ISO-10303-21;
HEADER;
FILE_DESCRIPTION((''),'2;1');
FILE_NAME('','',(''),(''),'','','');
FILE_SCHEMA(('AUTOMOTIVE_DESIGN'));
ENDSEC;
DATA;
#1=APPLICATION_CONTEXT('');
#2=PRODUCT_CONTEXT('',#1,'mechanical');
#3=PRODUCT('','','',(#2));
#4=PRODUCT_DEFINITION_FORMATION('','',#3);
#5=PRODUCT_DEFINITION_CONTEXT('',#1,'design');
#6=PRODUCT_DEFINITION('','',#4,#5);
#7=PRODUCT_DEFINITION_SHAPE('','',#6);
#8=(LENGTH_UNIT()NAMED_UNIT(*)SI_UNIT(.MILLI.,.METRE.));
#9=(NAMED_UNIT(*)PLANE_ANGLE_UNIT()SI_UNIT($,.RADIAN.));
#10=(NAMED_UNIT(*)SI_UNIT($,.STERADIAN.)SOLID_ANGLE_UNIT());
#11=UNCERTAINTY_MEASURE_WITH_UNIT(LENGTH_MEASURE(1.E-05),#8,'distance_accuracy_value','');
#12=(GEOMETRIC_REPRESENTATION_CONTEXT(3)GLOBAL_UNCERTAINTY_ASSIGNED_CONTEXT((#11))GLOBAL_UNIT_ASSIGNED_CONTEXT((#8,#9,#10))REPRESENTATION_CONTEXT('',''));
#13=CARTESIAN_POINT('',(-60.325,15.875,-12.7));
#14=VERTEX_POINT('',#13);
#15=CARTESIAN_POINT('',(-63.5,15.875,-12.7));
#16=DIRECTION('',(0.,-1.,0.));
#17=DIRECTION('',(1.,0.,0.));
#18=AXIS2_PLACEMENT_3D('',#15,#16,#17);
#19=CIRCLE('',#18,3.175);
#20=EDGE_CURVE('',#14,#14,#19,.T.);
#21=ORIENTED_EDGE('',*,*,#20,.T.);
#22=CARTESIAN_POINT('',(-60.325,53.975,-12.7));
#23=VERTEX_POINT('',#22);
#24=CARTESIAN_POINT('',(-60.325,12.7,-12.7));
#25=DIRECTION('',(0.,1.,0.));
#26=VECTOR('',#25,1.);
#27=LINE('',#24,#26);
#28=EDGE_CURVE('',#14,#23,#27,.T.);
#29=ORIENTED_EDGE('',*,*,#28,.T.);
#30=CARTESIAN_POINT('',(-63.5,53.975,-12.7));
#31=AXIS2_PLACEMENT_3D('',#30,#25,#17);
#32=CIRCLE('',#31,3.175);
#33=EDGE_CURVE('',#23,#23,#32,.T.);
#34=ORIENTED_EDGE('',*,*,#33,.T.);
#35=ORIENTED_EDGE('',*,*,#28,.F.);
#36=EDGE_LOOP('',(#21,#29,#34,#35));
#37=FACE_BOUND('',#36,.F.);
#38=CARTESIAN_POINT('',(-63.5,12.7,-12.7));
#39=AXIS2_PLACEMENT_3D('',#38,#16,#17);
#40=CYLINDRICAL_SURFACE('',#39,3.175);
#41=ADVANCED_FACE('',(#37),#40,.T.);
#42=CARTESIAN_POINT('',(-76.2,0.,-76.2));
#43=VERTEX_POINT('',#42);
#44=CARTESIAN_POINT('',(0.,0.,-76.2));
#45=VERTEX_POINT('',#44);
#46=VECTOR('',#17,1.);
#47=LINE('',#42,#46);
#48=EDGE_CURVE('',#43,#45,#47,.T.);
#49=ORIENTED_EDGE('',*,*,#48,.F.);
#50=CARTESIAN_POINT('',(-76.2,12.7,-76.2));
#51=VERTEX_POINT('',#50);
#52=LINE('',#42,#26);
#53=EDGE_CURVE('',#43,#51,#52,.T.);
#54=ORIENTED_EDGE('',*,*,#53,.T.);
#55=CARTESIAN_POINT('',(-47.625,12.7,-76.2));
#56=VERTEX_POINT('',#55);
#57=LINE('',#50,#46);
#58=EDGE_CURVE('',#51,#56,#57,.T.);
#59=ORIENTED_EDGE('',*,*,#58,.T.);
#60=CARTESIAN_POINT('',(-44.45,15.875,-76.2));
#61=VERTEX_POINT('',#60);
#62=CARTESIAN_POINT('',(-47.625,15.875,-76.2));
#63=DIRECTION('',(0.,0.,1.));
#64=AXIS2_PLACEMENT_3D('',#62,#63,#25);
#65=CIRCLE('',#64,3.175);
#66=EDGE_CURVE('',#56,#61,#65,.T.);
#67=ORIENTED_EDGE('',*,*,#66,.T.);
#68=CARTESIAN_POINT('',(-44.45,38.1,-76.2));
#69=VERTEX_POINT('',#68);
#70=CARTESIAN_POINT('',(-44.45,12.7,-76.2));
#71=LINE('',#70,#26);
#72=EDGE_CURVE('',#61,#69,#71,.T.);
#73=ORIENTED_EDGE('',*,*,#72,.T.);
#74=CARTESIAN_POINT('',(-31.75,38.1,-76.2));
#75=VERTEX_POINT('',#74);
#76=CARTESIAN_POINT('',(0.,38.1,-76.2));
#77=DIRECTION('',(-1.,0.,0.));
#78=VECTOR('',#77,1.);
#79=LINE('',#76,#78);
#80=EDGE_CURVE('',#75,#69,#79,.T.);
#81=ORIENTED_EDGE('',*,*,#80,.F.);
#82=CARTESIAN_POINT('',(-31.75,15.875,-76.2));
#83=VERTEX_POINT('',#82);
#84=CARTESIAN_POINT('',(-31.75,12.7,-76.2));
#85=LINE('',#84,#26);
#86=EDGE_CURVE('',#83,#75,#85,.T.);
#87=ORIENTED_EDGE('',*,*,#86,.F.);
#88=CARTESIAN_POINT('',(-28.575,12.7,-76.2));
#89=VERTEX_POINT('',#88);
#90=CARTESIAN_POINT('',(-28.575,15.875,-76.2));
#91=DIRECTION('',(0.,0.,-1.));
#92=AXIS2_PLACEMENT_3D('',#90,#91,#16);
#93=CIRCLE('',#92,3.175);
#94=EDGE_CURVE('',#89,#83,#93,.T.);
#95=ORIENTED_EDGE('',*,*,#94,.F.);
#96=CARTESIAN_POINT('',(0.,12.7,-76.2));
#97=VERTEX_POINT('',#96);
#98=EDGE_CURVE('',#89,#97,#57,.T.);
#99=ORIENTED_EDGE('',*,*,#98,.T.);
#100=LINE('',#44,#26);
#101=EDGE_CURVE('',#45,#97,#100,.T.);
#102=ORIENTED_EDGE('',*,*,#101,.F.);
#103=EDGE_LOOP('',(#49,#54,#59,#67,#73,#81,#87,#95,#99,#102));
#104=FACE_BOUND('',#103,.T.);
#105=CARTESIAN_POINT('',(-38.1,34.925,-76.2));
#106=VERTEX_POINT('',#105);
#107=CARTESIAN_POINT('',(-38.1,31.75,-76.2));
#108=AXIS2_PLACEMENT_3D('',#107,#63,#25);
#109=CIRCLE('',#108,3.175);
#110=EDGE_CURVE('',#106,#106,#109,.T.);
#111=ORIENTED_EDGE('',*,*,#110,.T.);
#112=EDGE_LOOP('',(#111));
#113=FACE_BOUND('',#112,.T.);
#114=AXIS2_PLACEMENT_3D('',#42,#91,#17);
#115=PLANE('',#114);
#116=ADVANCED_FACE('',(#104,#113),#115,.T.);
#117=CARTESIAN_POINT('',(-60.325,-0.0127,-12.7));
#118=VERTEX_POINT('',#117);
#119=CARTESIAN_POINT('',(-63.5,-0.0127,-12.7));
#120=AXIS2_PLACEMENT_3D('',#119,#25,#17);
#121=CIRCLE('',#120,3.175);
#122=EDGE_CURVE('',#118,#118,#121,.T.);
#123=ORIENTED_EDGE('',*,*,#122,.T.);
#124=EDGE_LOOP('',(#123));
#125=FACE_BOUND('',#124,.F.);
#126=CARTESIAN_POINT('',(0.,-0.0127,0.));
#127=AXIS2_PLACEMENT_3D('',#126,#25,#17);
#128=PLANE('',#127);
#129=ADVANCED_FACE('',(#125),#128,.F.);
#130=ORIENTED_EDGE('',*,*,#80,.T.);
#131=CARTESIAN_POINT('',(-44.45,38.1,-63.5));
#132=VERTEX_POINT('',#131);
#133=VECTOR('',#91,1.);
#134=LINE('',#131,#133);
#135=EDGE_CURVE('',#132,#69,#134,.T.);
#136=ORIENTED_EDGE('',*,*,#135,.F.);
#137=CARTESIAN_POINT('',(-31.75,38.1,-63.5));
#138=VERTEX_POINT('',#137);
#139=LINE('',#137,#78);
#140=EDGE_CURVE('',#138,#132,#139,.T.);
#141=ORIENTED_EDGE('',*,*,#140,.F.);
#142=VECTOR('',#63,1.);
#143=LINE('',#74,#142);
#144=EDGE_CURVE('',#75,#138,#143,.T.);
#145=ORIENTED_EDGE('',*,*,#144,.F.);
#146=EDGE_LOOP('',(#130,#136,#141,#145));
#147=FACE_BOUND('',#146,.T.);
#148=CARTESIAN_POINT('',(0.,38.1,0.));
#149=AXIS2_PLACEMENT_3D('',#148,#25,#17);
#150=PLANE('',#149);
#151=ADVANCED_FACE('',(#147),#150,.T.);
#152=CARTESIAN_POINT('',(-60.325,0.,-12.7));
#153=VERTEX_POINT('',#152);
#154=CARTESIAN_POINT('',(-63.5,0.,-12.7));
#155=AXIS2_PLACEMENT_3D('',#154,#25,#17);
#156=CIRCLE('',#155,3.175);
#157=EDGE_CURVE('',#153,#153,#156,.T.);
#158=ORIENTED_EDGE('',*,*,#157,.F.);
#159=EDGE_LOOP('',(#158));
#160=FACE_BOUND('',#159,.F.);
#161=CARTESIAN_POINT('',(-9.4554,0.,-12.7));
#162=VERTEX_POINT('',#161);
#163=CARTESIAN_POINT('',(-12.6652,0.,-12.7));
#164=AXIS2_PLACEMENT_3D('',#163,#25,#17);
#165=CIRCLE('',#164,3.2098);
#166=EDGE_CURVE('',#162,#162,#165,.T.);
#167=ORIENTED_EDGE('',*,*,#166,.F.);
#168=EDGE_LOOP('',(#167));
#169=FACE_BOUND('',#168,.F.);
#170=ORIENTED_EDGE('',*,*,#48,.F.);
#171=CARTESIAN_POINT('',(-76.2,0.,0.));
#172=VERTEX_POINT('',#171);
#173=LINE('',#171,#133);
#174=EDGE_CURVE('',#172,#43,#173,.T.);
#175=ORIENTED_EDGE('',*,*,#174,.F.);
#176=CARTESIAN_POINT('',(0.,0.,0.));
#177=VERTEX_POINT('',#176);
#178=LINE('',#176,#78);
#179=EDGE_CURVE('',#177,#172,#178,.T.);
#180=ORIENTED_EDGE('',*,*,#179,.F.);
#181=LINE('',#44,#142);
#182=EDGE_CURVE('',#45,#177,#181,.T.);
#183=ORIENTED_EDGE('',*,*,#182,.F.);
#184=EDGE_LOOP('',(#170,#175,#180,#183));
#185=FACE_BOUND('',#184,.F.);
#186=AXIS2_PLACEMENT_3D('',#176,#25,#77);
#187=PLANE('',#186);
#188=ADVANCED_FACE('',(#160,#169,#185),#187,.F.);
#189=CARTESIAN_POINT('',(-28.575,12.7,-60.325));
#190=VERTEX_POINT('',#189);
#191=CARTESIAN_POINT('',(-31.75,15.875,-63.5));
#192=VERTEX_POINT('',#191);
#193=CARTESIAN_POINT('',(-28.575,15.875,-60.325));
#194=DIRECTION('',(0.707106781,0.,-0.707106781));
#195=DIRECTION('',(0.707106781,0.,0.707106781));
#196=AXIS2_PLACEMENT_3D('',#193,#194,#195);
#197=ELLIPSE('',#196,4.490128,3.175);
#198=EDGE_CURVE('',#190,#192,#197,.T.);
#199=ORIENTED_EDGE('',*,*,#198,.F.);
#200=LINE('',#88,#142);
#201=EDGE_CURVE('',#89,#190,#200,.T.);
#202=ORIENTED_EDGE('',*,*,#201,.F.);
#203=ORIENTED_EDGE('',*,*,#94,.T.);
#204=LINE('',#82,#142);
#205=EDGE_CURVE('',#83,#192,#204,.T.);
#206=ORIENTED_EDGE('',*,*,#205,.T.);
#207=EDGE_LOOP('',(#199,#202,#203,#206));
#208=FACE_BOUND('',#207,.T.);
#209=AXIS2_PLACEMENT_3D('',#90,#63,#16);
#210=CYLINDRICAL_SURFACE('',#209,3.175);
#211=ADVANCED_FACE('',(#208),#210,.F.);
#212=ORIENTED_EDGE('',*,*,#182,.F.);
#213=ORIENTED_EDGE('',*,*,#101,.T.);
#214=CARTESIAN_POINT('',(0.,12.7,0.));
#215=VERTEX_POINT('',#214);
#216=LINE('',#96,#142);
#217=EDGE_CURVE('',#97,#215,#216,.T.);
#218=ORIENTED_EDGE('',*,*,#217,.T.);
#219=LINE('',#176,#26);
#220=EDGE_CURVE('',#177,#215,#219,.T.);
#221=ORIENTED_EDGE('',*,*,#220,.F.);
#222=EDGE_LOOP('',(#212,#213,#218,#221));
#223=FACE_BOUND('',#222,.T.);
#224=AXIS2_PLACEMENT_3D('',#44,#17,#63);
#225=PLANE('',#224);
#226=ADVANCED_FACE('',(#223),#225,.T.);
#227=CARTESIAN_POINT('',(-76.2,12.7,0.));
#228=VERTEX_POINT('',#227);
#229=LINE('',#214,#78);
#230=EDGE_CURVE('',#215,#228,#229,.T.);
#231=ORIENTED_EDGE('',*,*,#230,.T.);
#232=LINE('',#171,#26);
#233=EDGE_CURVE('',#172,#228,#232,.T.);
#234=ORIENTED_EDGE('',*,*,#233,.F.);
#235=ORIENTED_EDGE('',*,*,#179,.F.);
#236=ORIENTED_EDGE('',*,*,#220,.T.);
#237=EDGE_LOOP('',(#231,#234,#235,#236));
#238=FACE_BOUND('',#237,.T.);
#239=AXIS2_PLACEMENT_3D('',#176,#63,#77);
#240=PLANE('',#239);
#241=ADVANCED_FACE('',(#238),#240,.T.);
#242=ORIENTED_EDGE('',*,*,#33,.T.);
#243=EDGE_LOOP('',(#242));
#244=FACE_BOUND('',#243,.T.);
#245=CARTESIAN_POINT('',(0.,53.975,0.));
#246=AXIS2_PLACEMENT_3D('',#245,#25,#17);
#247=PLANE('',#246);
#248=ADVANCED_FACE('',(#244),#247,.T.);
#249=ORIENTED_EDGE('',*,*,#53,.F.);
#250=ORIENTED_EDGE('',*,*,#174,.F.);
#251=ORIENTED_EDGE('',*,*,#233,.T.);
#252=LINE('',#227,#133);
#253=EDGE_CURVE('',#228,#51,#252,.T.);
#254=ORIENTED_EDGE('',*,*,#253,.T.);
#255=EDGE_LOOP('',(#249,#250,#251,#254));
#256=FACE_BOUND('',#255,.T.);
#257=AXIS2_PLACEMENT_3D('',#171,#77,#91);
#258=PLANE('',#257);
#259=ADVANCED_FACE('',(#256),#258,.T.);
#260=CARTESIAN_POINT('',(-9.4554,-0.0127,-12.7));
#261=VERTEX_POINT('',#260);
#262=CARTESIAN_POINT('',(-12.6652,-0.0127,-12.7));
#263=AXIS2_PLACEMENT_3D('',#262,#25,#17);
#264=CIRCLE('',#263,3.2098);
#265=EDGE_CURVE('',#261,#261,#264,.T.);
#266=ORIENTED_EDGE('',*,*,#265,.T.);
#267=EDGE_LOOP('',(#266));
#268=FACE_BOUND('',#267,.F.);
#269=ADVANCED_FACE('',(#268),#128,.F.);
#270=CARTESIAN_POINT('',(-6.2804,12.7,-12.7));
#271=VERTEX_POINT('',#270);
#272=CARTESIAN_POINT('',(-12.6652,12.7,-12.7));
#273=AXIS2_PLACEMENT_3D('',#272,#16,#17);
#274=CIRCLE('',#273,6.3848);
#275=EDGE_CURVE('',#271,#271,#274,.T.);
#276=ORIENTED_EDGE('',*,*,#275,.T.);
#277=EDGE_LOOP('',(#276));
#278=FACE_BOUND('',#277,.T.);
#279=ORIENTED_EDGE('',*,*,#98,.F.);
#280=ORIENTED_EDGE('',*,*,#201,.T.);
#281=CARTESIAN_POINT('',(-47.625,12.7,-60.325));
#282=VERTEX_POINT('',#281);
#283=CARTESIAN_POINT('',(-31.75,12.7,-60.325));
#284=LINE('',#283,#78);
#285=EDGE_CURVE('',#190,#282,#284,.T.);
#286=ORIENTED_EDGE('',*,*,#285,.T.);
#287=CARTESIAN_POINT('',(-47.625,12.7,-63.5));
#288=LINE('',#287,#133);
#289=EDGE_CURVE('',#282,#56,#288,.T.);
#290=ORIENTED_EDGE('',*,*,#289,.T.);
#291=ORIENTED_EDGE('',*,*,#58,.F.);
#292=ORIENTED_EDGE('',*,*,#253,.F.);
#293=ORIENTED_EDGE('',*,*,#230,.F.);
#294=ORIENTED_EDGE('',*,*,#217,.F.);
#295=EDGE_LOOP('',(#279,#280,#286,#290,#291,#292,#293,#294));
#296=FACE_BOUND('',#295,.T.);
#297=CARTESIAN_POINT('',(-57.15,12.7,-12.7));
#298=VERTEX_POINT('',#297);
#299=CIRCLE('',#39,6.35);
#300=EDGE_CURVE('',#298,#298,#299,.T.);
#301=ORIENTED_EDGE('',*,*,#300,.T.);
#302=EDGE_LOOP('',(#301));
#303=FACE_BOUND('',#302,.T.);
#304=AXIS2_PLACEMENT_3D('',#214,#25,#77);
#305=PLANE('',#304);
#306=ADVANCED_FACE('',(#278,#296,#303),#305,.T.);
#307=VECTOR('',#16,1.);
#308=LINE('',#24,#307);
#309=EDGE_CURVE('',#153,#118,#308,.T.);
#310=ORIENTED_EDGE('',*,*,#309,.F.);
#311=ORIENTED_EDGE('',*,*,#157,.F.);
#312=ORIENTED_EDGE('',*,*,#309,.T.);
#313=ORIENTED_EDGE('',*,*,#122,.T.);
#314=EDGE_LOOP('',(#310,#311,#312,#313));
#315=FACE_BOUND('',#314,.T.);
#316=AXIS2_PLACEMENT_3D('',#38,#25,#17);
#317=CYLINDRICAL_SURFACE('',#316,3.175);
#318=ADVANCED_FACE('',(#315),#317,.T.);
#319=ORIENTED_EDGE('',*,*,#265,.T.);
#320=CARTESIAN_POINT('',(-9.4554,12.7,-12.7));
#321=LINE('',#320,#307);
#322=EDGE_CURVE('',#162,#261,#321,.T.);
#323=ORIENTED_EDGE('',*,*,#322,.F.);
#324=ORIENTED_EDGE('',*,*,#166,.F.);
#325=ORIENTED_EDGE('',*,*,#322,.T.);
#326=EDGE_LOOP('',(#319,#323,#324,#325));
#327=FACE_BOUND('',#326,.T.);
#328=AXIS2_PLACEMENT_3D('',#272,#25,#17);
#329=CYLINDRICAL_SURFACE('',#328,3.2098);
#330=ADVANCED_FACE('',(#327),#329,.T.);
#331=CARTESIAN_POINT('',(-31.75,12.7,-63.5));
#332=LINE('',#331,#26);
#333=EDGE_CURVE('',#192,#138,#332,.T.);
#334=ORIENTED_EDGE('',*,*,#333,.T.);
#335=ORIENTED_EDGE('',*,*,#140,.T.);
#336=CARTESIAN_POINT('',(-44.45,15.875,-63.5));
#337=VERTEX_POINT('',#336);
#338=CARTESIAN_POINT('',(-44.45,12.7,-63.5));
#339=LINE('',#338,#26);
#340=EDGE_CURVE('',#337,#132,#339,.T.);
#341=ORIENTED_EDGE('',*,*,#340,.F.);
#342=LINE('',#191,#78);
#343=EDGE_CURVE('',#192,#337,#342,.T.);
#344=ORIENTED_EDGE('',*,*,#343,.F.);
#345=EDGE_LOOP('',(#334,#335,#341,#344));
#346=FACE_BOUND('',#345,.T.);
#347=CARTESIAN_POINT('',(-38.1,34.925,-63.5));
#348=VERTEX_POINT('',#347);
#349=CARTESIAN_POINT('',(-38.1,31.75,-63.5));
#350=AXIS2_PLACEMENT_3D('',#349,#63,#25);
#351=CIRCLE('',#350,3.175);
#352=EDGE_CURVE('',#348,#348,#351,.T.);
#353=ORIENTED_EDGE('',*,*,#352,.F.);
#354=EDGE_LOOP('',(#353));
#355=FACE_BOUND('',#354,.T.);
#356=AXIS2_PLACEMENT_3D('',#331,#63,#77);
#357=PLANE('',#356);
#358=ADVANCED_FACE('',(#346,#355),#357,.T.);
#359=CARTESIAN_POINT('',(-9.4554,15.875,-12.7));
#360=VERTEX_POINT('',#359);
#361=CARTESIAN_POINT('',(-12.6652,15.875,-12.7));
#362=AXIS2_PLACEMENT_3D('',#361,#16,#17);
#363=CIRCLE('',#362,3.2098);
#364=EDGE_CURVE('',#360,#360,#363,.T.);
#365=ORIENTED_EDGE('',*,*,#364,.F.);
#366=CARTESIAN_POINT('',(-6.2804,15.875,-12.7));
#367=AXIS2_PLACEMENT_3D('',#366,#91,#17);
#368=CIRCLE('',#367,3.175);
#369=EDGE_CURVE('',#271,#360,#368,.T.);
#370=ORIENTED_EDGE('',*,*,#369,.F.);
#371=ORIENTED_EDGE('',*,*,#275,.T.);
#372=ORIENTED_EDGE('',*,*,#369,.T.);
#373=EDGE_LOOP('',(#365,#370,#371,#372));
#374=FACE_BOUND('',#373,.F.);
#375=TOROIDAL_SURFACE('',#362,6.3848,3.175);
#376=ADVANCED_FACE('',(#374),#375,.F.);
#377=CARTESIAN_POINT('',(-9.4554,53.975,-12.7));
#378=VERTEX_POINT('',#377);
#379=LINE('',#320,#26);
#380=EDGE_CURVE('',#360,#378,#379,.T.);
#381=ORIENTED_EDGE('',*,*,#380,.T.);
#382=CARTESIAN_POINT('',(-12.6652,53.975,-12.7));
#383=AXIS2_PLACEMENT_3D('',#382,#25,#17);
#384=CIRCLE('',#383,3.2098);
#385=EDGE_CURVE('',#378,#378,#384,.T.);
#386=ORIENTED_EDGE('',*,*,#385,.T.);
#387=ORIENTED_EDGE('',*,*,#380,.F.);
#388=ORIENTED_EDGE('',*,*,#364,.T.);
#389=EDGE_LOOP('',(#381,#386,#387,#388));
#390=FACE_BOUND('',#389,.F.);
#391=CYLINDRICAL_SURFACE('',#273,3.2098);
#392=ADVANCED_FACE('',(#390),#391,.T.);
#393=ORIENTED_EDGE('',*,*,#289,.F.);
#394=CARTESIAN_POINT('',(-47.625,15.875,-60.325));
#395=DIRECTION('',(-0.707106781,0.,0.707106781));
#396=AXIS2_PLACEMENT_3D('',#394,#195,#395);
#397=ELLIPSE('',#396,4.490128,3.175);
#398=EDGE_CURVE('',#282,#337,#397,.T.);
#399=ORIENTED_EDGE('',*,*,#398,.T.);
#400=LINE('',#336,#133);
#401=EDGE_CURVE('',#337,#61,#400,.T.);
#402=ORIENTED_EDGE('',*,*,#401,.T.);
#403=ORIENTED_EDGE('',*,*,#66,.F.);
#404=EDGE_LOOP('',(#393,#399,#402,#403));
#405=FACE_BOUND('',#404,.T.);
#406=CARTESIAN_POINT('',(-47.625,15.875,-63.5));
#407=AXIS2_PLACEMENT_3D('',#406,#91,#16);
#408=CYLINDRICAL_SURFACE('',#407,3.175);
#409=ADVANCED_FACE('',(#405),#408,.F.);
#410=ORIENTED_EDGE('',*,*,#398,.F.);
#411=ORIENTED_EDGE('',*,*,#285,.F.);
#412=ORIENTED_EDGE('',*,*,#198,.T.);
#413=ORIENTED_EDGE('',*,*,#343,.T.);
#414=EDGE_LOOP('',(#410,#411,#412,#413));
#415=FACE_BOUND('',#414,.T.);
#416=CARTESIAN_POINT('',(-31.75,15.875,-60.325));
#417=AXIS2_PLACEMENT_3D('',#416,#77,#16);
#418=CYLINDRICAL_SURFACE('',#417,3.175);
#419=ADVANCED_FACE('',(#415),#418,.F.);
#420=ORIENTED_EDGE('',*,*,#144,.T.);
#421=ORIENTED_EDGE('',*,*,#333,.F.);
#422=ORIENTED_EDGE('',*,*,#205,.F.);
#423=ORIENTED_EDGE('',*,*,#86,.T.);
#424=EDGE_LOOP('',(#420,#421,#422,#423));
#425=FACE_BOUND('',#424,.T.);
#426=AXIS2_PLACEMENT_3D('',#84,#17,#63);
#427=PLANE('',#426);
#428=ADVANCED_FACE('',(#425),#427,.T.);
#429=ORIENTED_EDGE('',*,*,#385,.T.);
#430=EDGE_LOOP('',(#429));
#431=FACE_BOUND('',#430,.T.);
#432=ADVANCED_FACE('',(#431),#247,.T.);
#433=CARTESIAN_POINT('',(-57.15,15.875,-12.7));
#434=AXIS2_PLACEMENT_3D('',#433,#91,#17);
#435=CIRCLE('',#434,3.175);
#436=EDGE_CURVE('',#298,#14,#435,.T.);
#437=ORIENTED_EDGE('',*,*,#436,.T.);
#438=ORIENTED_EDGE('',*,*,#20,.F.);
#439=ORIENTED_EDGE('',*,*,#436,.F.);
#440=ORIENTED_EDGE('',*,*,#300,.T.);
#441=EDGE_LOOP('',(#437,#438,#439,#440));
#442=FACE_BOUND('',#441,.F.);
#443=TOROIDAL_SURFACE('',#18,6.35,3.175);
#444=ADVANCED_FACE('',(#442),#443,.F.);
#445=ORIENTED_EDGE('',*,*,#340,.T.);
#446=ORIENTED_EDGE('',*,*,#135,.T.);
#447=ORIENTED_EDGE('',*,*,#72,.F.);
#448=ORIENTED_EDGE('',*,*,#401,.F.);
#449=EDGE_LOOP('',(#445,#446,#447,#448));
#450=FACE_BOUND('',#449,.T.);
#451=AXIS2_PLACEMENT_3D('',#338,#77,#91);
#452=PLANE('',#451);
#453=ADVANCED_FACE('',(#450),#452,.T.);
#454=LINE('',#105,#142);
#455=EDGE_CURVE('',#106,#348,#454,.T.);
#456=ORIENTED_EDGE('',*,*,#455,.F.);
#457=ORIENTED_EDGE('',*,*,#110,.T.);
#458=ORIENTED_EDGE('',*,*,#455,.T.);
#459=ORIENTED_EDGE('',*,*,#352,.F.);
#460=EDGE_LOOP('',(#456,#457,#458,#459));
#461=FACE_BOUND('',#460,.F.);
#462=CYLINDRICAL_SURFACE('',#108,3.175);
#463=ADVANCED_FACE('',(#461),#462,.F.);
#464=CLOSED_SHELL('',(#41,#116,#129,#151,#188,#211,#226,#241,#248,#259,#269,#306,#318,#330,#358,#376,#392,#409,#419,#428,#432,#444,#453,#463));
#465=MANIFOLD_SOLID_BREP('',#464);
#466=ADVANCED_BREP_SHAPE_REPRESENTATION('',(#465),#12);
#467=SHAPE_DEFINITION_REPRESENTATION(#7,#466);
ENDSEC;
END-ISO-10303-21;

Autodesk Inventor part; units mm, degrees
ref_plane "YZ Plane" through (0, 0, 0) normal (1, 0, 0) x (0, 1, 0)
ref_plane "XZ Plane" through (0, 0, 0) normal (0, 1, 0) x (-1, 0, 0)
ref_plane "XY Plane" through (0, 0, 0) normal (0, 0, 1) x (1, 0, 0)
sketch "Sketch1" plane through (0, 0, 0) normal (0, 1, 0) x (-1, 0, 0)
  line L0 (0, 0) -> (76.2, 0)
  line L1 (76.2, 0) -> (76.2, -76.2)
  line L2 (76.2, -76.2) -> (0, -76.2)
  line L3 (0, -76.2) -> (0, 0)
  dimension "d0" = 76.2
  dimension "d1" = 76.2
extrude "Extrusion1" add sketch "Sketch1" along normal blind 12.7
sketch "Sketch2" plane through (0, 12.7, 0) normal (0, 1, 0) x (1, 0, 0)
  point P0 (0, 0)
  point P1 (-12.7, 12.7)
  point P2 (-63.5, 12.7)
hole "Hole1" at (-12.7, 12.7, -12.7) at (-63.5, 12.7, -12.7) direction (0, -1, 0) diameter 5.08 depth 9.525 tip angle 118
sketch "Sketch3" plane through (0, 12.7, 0) normal (0, 1, 0) x (1, 0, 0)
  line L0 (0, 76.2) -> (-76.2, 76.2) projected
  line L1 (-44.45, 76.2) -> (-31.75, 76.2)
  line L2 (-31.75, 76.2) -> (-31.75, 63.5)
  line L3 (-31.75, 63.5) -> (-44.45, 63.5)
  line L4 (-44.45, 63.5) -> (-44.45, 76.2)
  point P0 (0, 0)
  point P1 (-38.1, 76.2)
  dimension "d11" = 12.7
  dimension "d12" = 12.7
extrude "Extrusion2" add sketch "Sketch3" along normal blind 25.4
sketch "Sketch4" plane through (0, 0, -76.2) normal (0, 0, -1) x (-1, 0, 0)
  point P0 (0, 0)
  point P1 (38.1, 31.75)
hole "Hole2" at (-38.1, 31.75, -76.2) direction (0, 0, 1) diameter 6.35 depth 14.2875 tip angle 118
fillet "Fillet1" radius 3.175 3 edges at (-31.75, 12.7, -69.85) (-38.1, 12.7, -63.5) (-44.45, 12.7, -69.85)
sketch "Sketch5" plane through (0, 12.7, 0) normal (0, 1, 0) x (1, 0, 0)
  circle A0 centre (-63.5, 12.7) radius 2.54 projected
  point P0 (0, 0)
  point P1 (-12.7, 12.7)
hole "Hole3" at (-63.5, 12.7, -12.7) at (-12.7, 12.7, -12.7) direction (0, -1, 0) diameter 6.35 depth 9.525 tip angle 118
sketch "Sketch6" plane through (0, 12.7, 0) normal (0, 1, 0) x (1, 0, 0)
  circle A0 centre (-63.5, 12.7) radius 3.175 projected
  circle A1 centre (-12.6652, 12.7) radius 3.2098
  circle A2 centre (-63.5, 12.7) radius 3.175
  point P0 (0, 0)
extrude "Extrusion3" add sketch "Sketch6" along normal blind 41.275 and the other way blind 12.7127
fillet "Fillet2" radius 3.175 1 edges at (-15.875, 12.7, -12.7)
fillet "Fillet3" radius 3.175 1 edges at (-66.675, 12.7, -12.7)
properties part number "Cupholder"
